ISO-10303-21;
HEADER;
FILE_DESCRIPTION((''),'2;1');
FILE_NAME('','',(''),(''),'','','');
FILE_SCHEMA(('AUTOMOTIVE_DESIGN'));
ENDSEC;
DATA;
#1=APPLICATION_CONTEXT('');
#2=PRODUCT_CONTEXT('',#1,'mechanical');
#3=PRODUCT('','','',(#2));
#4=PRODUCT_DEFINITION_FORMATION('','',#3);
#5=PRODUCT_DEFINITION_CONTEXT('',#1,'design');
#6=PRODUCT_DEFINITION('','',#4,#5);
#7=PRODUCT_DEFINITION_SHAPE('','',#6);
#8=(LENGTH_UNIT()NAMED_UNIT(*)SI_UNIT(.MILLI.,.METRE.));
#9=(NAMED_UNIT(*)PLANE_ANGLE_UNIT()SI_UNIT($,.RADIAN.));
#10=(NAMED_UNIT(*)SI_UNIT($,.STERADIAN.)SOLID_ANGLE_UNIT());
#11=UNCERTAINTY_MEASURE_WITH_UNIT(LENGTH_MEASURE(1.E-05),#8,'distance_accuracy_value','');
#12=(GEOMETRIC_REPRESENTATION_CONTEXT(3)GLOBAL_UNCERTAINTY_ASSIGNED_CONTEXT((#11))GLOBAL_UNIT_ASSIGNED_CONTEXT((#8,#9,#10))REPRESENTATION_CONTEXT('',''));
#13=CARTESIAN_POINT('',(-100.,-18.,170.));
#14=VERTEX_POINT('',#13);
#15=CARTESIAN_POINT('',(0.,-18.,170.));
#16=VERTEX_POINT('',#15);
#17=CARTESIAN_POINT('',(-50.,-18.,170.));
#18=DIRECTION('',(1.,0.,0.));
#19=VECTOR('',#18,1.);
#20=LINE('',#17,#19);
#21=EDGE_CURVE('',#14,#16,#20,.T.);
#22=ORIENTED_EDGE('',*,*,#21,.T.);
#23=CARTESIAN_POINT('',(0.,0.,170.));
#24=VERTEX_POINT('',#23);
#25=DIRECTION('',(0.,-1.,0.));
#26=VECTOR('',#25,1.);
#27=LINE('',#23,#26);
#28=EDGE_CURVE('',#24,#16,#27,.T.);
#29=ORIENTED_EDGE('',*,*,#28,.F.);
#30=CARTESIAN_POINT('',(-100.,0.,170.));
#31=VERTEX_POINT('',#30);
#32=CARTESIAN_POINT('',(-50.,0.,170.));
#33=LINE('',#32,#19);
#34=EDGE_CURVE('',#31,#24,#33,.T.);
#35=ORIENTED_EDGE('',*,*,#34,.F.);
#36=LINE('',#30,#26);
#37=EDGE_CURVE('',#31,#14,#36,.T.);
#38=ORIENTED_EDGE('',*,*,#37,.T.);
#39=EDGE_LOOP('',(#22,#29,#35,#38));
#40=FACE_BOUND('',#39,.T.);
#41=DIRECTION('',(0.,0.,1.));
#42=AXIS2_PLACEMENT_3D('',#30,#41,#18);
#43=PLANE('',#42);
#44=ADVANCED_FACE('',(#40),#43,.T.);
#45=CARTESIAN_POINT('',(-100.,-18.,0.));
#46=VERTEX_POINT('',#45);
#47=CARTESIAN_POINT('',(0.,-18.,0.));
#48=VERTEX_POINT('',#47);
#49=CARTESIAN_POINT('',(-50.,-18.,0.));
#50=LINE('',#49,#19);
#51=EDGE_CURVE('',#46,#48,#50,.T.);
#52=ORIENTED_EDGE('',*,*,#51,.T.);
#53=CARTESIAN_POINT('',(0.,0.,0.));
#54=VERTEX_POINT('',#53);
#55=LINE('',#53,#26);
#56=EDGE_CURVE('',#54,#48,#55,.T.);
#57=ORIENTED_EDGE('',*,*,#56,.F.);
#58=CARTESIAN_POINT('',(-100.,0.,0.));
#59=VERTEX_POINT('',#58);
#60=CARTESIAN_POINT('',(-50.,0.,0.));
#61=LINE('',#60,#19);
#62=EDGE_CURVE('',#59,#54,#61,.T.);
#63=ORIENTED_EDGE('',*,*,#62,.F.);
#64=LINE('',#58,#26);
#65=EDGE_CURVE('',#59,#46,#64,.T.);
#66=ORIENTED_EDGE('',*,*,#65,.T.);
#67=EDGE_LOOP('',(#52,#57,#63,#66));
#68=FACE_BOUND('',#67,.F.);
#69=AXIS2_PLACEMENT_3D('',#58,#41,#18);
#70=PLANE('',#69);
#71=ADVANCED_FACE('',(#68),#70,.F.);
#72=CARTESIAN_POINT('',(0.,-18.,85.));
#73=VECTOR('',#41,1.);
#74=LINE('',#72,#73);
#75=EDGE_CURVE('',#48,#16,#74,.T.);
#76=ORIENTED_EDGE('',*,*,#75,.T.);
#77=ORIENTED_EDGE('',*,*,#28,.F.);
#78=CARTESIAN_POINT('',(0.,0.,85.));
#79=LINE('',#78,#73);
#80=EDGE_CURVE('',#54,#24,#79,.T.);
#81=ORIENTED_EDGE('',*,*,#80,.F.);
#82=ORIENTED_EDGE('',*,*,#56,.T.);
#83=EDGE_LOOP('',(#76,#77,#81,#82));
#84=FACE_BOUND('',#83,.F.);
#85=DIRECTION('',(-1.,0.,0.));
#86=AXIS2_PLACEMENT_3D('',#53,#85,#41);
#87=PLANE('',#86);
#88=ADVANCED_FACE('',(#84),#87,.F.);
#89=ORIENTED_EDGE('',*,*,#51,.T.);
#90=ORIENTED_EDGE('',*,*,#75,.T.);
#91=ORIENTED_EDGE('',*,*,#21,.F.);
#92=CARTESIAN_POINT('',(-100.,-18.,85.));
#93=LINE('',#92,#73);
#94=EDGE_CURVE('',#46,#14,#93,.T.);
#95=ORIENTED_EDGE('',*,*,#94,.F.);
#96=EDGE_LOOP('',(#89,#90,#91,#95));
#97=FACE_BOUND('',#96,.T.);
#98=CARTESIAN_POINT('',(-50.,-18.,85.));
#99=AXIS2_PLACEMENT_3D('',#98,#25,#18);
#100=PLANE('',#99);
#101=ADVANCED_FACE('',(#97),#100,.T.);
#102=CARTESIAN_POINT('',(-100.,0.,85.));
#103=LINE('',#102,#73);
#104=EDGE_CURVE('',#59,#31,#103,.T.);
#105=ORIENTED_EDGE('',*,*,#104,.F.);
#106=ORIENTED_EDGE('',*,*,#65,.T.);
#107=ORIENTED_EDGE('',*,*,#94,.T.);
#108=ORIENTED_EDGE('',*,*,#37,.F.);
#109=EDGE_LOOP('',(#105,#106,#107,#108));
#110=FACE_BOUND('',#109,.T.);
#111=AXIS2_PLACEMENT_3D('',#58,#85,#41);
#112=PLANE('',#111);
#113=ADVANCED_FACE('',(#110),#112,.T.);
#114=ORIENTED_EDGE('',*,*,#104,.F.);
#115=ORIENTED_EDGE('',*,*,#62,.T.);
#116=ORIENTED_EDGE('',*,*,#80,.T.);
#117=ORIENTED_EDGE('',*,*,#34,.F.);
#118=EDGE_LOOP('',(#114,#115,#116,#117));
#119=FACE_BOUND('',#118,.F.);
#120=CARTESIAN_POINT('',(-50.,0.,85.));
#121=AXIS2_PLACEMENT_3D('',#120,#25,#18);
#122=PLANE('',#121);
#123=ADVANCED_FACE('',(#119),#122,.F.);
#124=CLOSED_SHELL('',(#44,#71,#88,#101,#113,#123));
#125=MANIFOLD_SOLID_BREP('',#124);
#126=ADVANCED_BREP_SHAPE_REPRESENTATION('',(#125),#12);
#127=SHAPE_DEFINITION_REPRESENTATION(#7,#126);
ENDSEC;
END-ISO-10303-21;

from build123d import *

# Parameters (mm, degrees)
SKETCH_W  = 100
SKETCH_H  = 170
PAD_DEPTH = 18


with BuildPart() as part:
    # Sketch → Pad (new body)
    with BuildSketch(Plane.XZ):
        with Locations((-50, 85)):
            Rectangle(SKETCH_W, SKETCH_H)
    extrude(amount=PAD_DEPTH)


solid = part.part
